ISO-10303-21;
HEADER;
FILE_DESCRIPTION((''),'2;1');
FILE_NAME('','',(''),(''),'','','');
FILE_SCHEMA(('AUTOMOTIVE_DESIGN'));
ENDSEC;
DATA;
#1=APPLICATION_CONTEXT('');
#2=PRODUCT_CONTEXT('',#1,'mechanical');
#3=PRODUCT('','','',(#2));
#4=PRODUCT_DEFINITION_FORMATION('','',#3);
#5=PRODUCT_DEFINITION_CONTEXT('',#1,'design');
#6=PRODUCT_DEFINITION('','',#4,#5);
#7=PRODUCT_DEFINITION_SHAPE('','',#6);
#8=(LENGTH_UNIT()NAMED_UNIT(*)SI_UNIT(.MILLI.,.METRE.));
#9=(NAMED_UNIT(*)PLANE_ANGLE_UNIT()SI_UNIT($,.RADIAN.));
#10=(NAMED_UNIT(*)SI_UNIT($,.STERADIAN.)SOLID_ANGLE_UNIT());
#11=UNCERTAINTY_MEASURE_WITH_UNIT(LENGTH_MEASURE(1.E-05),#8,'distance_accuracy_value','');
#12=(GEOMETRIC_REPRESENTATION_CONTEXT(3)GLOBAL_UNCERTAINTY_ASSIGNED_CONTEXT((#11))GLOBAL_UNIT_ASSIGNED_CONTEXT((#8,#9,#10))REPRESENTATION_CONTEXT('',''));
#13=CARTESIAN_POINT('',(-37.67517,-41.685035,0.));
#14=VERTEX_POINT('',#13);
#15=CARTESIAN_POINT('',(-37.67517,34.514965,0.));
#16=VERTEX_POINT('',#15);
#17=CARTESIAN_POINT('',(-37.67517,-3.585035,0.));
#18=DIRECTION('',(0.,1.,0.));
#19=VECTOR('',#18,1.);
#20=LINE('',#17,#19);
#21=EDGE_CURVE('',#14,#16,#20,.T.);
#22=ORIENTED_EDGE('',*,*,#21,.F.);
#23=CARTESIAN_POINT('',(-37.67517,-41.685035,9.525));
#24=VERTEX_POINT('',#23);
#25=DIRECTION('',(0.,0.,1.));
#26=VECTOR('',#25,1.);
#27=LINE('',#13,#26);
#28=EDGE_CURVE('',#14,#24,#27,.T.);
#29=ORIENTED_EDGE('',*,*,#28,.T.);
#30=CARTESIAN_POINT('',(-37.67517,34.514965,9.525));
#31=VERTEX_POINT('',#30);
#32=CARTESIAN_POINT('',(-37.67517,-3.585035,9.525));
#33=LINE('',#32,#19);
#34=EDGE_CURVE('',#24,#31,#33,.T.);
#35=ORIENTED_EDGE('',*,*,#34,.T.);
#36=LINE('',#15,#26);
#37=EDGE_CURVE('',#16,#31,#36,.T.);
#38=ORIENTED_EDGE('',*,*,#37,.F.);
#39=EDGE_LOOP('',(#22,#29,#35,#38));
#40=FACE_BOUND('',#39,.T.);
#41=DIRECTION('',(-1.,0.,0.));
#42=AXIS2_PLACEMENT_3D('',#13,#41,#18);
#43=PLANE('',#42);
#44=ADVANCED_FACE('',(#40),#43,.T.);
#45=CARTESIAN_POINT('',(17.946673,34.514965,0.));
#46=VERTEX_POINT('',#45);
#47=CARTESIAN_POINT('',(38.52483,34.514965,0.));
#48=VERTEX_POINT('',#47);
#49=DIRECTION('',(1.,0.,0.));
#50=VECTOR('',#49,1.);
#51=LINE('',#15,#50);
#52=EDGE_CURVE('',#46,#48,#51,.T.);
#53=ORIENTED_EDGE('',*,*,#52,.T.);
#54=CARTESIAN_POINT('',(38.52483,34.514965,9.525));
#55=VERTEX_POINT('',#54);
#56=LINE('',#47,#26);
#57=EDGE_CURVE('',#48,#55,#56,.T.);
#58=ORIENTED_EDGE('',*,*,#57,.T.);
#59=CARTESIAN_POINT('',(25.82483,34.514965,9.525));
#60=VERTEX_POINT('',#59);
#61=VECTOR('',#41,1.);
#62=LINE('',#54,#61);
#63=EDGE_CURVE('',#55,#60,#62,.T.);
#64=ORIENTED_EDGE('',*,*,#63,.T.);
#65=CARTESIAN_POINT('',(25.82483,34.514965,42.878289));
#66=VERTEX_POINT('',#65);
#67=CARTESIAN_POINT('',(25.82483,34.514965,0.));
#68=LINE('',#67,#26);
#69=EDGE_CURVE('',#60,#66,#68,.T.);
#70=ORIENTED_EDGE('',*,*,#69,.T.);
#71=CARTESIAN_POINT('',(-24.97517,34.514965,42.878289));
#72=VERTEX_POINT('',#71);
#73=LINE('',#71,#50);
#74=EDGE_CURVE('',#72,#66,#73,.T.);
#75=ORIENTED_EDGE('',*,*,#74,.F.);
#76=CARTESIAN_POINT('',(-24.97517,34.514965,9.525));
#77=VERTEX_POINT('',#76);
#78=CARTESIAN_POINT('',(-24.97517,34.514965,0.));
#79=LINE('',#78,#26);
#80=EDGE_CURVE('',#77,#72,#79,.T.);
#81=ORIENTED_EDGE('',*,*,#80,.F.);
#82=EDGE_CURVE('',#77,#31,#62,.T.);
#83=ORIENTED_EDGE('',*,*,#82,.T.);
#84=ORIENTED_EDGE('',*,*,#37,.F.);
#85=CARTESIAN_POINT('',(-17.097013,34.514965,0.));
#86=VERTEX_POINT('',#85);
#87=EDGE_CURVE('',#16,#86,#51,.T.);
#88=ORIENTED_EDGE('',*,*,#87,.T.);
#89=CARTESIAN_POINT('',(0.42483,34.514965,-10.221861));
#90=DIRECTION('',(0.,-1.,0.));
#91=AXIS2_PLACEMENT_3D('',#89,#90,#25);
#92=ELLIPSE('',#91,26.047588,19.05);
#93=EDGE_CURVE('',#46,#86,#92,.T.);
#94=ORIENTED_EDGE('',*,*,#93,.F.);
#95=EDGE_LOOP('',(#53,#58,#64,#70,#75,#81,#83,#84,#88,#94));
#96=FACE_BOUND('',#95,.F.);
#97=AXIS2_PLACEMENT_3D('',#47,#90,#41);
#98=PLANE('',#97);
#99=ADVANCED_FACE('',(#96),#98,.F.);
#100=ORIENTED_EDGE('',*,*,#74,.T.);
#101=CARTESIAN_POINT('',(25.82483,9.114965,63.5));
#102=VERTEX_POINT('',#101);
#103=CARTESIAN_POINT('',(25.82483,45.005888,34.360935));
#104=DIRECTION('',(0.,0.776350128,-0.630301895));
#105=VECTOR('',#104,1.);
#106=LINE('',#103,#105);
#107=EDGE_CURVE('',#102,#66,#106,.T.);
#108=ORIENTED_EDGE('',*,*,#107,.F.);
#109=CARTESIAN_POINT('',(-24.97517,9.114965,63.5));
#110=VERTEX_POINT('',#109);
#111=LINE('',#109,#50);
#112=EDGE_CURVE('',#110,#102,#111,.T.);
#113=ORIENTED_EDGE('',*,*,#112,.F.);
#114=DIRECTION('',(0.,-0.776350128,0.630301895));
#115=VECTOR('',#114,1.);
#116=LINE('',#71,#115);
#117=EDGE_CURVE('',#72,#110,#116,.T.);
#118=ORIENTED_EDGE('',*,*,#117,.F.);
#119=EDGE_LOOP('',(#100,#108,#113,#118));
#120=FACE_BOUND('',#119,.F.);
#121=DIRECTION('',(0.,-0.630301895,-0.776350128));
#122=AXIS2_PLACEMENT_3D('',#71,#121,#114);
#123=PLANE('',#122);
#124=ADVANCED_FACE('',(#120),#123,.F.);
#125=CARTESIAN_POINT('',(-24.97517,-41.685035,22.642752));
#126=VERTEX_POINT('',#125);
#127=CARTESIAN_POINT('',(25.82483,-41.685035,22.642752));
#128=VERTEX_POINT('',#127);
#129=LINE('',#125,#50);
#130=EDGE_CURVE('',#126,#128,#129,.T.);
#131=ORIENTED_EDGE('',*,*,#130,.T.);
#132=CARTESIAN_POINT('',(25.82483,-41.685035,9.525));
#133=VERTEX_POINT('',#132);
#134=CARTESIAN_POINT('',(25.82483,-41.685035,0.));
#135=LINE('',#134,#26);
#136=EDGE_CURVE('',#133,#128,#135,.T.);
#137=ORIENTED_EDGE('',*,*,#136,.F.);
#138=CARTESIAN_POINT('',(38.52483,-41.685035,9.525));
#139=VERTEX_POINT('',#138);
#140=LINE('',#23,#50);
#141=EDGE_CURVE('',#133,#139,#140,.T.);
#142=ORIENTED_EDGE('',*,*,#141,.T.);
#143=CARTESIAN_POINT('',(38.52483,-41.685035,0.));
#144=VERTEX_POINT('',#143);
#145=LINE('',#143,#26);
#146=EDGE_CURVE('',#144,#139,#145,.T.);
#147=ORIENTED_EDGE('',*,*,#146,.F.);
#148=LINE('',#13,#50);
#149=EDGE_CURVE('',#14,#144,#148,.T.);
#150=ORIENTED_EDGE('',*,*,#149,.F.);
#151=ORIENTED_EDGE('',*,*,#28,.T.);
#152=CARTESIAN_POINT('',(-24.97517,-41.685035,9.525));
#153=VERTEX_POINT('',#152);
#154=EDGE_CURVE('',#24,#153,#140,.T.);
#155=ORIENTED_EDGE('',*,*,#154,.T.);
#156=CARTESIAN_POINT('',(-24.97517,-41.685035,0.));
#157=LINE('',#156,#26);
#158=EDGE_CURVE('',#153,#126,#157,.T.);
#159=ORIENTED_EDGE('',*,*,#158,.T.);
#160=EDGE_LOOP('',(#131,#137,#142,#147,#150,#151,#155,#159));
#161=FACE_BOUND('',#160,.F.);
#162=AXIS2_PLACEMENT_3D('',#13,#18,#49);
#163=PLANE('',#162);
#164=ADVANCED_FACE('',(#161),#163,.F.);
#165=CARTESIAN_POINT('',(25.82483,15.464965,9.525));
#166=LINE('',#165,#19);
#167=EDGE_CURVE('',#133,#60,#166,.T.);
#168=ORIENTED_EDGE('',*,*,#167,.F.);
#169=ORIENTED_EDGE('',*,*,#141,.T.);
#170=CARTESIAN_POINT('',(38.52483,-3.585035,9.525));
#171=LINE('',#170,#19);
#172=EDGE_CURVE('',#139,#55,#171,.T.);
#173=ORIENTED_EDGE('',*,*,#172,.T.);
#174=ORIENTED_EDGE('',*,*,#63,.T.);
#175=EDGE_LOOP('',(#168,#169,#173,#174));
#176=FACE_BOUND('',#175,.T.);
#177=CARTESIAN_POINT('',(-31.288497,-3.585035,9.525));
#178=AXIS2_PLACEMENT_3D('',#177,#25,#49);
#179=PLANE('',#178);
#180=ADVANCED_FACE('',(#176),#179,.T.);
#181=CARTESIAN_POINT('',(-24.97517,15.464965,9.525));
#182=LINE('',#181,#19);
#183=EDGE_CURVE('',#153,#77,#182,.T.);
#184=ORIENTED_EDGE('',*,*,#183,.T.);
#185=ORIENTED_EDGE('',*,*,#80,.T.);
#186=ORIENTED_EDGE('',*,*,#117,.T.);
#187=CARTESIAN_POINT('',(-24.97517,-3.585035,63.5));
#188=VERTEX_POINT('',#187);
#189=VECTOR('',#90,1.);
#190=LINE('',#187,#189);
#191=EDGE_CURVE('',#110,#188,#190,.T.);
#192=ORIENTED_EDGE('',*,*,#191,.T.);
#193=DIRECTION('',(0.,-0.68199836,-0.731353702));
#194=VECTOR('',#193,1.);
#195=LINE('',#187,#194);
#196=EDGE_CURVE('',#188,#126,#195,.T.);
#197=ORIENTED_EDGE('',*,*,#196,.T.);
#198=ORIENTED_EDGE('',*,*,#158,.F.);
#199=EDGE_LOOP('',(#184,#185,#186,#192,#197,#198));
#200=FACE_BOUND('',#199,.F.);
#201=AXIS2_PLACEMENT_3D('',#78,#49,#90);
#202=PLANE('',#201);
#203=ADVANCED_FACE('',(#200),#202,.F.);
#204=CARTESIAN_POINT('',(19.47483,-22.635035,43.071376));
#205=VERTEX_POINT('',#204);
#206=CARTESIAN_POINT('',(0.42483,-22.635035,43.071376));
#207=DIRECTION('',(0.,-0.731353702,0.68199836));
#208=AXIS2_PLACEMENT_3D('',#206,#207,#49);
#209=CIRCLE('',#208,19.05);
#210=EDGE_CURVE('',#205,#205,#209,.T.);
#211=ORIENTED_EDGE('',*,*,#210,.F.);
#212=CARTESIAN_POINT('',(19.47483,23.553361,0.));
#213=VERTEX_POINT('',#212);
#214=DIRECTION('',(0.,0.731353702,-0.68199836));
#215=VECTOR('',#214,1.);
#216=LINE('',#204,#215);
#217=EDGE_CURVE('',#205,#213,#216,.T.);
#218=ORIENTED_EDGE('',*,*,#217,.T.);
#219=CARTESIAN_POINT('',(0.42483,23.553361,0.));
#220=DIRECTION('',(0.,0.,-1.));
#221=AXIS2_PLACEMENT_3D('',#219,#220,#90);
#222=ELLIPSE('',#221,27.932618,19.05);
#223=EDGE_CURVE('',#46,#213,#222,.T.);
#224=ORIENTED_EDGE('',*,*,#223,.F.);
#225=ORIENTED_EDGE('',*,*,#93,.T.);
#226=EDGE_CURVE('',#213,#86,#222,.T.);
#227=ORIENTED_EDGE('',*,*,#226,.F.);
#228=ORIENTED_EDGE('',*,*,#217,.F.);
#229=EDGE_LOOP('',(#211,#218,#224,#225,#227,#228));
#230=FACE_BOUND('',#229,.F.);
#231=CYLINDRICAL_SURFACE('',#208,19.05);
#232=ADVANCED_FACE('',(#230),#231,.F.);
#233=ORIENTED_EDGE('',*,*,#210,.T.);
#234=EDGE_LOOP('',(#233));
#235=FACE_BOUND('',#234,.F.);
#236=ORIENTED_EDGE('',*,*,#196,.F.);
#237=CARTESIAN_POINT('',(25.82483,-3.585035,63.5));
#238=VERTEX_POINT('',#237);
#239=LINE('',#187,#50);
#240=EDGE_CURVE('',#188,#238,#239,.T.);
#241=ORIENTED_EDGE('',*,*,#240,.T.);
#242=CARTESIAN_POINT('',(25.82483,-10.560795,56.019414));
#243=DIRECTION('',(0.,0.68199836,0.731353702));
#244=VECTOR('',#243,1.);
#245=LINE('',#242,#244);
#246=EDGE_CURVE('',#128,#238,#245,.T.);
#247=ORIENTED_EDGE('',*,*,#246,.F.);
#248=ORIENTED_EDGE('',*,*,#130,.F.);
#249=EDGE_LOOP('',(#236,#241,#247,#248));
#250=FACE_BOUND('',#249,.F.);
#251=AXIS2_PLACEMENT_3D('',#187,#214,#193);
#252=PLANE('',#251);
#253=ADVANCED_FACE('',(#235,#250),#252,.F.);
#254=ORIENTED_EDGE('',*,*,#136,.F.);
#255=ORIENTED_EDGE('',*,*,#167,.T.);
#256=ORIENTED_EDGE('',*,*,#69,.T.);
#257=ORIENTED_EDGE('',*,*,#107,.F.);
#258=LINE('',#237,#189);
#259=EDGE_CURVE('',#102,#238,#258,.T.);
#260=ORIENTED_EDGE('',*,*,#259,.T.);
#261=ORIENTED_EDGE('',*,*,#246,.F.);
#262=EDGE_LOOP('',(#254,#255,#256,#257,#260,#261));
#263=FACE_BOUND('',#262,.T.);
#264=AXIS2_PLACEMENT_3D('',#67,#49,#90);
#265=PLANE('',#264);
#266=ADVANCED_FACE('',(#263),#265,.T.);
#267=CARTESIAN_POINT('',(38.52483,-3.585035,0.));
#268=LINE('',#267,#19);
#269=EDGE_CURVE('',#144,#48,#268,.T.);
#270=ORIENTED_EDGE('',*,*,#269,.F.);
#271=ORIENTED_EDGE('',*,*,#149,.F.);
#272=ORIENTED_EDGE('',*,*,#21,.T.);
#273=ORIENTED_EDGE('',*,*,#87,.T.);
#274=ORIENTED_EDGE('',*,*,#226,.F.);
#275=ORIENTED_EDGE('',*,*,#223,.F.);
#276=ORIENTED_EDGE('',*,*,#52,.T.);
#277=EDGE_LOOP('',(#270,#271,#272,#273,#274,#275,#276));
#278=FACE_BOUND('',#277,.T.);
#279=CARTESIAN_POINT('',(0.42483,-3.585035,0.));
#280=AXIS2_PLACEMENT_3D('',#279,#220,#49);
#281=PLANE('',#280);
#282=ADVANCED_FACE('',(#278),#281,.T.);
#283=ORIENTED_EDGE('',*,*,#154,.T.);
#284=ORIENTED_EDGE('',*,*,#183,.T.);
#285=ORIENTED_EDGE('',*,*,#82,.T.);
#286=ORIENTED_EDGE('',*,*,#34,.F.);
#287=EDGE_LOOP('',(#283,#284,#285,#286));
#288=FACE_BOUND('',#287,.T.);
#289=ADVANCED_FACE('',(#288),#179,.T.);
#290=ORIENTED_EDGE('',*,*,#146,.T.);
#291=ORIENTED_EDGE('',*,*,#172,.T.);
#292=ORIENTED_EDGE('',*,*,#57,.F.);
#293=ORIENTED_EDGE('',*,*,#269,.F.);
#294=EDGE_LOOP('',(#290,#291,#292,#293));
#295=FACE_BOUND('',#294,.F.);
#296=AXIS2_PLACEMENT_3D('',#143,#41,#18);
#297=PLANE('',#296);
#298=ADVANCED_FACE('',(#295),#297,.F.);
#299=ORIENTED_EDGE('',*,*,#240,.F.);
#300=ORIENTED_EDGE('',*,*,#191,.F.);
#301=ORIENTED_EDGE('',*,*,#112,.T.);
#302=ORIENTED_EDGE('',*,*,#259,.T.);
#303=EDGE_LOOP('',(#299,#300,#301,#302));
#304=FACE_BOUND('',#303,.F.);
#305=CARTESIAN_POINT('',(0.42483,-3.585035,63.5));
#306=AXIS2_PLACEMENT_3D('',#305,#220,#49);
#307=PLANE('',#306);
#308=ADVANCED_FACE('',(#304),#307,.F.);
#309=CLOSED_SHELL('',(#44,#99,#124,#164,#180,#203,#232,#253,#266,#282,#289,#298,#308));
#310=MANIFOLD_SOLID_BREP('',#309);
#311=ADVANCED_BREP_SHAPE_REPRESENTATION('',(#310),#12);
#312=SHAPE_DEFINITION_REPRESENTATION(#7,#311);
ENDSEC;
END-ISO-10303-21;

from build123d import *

# Parameters (mm, degrees)
F0_W     = 12.773345685
F0_H     = 76.2
F0_W_2   = 12.626654315
F0_W_3   = 50.8
F1_DEPTH = 9.525
F2_W     = 50.8
F2_H     = 76.2
F3_DEPTH = 63.5
F5_DEPTH = 107.696
F6_R     = 19.05
F7_DEPTH = 89.662


with BuildPart() as f1:
    # F0 (on Top) → F1 (new body)
    with BuildSketch(Plane.XY):
        with Locations((-31.2884969145, -3.5850352719)):
            Rectangle(F0_W, F0_H)
        with Locations((32.2115030855, -3.5850352719)):
            Rectangle(F0_W_2, F0_H)
        with Locations((0.498175928, -3.5850352719)):
            Rectangle(F0_W_3, F0_H)
    extrude(amount=F1_DEPTH)

    # F2 (on face) → F3 (join)
    with BuildSketch(Plane(origin=(0, 0, 0), x_dir=(1, 0, 0), z_dir=(0, 0, -1))):
        with Locations((0.424830243, 3.5850352719)):
            Rectangle(F2_W, F2_H)
    extrude(amount=-F3_DEPTH)

    # F4 (on face) → F5 (cut)
    with BuildSketch(Plane(origin=(-24.975169757, 0, 0), x_dir=(0, -1, 0), z_dir=(-1, 0, 0))):
        Polygon((-34.5149647281, 63.5), (-34.5149647281, 42.8782887757), (-9.1149647281, 63.5), align=None)
        Polygon((41.6850352719, 63.5), (3.5850352719, 63.5), (41.6850352719, 22.6427521481), align=None)
    extrude(amount=-F5_DEPTH, mode=Mode.SUBTRACT)

    # F6 (on face) → F7 (cut)
    with BuildSketch(Plane(origin=(0, -33.5902159411, 31.3233831117), x_dir=(1, 0, 0), z_dir=(0, -0.7313537016, 0.6819983601))):
        with Locations((0.424830243, 16.0633533902)):
            Circle(F6_R)
    extrude(amount=-F7_DEPTH, mode=Mode.SUBTRACT)


solid = f1.part
